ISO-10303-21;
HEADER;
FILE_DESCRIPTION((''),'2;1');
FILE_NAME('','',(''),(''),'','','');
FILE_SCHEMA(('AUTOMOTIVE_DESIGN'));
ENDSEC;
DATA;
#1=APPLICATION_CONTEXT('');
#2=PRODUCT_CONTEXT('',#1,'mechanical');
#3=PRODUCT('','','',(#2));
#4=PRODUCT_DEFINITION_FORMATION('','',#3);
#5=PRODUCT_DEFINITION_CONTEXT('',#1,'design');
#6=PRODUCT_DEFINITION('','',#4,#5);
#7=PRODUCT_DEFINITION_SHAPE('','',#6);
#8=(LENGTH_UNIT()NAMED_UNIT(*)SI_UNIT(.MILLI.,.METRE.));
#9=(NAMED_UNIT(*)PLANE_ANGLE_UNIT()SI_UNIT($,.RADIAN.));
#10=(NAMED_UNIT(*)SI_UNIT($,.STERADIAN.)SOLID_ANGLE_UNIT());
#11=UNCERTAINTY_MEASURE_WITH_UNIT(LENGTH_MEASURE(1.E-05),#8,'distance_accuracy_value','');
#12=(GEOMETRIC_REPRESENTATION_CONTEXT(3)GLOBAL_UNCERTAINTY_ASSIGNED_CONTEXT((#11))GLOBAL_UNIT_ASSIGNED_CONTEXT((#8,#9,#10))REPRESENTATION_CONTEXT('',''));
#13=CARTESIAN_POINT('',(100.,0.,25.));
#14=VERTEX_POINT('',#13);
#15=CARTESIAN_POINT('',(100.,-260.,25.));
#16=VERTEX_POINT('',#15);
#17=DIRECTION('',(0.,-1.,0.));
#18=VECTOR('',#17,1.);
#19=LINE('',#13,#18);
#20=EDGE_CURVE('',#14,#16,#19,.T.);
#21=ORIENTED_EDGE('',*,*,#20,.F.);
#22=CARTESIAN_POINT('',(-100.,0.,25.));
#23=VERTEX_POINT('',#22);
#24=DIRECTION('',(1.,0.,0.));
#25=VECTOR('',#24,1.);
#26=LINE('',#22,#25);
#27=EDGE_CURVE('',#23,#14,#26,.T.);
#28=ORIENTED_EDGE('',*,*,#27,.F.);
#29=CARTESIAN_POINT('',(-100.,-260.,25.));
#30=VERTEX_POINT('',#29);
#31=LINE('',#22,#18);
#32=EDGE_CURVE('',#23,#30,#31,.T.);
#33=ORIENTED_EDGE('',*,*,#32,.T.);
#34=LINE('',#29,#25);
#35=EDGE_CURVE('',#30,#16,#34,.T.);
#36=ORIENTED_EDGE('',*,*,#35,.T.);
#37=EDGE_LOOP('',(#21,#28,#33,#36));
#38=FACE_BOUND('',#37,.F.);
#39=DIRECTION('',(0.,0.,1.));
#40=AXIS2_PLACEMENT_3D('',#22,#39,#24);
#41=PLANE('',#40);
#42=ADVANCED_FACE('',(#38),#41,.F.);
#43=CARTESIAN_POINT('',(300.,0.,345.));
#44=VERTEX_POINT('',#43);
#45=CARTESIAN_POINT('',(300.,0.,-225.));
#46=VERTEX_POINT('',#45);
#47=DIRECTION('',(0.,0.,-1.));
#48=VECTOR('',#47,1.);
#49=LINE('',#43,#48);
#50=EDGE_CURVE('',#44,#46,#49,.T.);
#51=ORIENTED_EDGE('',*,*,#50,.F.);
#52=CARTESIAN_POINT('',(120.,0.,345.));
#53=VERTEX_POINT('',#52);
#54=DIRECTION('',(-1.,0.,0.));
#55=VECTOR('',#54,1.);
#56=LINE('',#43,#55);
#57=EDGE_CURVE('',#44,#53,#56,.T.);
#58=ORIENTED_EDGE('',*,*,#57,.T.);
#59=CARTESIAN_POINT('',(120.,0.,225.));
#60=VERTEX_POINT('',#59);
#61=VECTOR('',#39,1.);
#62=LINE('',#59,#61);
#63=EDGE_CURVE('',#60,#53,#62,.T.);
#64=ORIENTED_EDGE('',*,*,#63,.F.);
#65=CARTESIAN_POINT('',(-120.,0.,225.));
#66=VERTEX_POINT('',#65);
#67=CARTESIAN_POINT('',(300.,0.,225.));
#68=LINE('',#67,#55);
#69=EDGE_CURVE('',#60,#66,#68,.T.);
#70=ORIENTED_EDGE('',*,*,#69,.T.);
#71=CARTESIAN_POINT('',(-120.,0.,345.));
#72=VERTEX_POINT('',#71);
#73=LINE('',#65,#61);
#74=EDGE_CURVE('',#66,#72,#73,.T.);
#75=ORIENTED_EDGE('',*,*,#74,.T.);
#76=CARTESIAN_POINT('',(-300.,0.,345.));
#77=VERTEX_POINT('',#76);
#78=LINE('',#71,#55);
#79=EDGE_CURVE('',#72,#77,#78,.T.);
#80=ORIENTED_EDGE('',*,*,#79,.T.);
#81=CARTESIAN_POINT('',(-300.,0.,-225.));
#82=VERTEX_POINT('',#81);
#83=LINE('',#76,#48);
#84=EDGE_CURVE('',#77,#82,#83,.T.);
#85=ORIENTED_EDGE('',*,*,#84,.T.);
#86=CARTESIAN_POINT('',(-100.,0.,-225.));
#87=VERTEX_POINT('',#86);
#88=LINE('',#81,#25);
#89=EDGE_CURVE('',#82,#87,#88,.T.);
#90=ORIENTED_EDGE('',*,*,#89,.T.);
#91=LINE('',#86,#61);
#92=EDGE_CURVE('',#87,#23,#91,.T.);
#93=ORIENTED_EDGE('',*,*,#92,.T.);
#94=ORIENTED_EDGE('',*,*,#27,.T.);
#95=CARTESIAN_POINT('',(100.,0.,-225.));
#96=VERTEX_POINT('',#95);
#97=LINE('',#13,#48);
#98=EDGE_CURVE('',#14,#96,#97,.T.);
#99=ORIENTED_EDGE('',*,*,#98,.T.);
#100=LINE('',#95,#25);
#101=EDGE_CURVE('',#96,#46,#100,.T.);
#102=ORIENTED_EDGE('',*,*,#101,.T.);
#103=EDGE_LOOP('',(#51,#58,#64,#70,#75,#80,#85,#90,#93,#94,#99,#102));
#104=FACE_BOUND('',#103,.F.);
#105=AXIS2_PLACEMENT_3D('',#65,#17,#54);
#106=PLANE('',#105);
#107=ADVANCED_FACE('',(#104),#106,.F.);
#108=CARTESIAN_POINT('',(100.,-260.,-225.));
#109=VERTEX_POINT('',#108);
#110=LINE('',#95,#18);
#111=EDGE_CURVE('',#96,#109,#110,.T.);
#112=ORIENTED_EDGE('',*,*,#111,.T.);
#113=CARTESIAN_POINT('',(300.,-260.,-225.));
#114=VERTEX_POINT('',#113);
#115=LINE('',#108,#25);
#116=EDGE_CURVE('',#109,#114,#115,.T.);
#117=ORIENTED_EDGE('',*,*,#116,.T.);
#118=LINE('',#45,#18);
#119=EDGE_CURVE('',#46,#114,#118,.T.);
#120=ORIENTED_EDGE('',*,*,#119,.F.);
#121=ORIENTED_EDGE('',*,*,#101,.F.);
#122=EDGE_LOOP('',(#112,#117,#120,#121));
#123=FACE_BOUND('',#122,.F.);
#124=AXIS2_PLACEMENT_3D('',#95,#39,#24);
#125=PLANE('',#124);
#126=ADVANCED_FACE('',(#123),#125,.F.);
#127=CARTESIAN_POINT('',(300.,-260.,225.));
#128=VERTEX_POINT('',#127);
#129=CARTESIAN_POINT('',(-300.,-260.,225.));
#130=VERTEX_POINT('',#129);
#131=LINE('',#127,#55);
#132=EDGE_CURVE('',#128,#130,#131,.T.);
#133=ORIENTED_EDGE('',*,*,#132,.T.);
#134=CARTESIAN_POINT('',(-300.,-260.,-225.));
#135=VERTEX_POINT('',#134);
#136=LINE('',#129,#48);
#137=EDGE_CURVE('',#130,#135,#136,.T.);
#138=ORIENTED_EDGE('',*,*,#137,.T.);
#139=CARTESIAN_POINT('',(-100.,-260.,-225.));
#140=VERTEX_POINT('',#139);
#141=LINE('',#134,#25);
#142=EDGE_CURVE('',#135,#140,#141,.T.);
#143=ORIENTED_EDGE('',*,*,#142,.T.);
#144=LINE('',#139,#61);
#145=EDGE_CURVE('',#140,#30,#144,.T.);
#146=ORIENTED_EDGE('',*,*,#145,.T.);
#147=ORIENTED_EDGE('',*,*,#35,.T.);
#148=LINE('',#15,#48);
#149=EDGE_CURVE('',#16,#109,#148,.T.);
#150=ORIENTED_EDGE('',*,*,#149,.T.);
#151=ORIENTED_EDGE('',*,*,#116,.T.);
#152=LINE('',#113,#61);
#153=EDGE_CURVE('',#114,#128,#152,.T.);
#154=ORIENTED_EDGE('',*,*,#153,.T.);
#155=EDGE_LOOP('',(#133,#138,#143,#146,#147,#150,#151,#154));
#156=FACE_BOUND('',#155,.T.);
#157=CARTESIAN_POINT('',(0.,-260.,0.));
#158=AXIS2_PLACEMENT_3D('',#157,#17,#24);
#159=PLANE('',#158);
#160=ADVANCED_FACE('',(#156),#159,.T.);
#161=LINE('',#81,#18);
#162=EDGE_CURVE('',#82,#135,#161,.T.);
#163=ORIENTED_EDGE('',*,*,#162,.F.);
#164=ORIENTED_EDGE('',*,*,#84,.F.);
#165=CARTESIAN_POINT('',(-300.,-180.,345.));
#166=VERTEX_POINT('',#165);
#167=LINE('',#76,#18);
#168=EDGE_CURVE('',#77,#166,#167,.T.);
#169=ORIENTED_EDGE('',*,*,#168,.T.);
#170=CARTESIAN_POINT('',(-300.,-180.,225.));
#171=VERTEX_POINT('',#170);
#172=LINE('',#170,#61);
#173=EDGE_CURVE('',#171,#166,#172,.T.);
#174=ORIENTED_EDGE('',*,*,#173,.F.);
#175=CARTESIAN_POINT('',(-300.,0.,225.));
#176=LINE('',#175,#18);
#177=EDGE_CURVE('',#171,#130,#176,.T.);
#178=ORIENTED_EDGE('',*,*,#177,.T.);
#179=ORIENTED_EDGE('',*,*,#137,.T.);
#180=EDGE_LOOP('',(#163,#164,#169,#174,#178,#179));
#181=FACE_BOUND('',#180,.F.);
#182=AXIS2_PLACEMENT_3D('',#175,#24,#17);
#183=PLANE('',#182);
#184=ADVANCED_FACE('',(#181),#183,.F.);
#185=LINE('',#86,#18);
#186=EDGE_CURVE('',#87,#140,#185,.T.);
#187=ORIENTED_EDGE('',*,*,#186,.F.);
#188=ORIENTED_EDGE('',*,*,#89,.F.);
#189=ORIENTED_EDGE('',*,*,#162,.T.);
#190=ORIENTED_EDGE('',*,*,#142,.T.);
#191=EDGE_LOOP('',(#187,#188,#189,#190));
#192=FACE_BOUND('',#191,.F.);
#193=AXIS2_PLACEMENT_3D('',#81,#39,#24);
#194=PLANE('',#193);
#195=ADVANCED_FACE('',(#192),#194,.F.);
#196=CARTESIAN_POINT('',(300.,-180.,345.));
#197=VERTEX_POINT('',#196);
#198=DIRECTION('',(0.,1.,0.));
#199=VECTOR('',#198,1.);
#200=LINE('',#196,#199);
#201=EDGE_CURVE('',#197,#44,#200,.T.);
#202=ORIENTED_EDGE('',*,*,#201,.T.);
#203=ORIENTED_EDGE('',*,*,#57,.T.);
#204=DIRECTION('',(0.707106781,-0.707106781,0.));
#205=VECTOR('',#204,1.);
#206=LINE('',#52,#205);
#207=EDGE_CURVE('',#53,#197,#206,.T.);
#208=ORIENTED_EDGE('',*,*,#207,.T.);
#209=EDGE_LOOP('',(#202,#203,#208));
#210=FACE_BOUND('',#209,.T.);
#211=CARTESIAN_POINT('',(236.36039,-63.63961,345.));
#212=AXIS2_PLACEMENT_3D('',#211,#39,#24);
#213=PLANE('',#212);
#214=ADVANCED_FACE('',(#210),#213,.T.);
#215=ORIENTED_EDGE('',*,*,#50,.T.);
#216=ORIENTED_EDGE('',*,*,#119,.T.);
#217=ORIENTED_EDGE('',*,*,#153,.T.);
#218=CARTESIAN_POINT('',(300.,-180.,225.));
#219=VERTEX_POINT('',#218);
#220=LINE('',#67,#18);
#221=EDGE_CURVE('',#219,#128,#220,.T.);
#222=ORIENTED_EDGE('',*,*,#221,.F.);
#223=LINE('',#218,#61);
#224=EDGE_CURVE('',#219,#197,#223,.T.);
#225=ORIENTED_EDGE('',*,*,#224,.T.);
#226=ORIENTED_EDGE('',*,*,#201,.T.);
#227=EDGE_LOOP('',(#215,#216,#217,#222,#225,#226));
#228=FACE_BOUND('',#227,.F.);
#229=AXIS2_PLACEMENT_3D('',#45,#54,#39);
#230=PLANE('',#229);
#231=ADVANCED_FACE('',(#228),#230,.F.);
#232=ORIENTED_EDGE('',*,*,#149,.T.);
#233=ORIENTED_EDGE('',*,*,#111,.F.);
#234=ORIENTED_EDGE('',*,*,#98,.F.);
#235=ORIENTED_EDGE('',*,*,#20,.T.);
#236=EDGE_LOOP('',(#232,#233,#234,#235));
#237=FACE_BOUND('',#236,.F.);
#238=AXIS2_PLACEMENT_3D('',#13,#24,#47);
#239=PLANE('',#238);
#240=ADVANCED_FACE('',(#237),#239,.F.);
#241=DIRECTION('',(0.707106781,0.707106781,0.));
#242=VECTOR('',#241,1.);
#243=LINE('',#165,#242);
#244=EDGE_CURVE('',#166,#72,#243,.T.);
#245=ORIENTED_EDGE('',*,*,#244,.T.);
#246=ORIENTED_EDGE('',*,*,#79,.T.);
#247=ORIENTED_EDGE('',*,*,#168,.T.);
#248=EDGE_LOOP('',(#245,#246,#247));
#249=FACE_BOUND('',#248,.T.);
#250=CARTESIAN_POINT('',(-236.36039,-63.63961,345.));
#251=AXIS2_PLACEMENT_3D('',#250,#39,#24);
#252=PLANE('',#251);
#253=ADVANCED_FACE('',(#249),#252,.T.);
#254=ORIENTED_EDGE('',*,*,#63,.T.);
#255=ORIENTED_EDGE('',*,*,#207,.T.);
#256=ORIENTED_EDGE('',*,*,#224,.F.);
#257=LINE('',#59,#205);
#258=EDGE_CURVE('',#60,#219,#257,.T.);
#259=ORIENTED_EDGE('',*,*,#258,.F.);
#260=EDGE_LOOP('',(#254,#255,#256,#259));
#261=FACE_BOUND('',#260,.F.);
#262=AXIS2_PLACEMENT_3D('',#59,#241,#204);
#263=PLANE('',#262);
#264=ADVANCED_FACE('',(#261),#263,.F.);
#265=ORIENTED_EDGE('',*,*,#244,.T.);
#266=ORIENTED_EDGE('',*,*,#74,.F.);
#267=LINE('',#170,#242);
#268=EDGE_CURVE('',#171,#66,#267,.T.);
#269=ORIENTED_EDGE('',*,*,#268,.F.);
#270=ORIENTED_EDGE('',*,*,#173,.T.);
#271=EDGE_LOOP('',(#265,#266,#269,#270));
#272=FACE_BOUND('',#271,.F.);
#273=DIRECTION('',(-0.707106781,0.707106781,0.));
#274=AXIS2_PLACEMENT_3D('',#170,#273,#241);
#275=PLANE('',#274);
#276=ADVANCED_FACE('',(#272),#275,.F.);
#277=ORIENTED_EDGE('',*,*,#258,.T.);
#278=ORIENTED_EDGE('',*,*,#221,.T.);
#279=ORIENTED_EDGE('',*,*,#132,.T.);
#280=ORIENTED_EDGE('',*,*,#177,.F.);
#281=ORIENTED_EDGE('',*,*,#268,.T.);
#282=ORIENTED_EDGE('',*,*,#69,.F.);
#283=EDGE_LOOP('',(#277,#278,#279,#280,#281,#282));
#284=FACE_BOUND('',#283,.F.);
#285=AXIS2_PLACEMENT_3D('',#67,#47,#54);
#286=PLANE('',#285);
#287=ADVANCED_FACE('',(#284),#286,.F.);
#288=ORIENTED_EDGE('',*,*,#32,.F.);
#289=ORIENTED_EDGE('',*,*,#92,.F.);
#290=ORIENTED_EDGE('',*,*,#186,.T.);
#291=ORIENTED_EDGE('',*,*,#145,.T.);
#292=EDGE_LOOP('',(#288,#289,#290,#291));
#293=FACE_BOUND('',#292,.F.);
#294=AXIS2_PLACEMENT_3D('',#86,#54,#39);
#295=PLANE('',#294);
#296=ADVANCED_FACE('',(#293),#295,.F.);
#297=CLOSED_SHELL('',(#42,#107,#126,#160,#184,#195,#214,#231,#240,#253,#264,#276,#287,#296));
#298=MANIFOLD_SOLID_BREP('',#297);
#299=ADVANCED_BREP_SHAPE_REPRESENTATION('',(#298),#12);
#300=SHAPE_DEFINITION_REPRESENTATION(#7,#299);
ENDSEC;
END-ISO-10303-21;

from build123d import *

# Parameters (mm, degrees)
F1_DEPTH = 260
F3_DEPTH = 120


with BuildPart() as f1:
    # F0 (on Front) → F1 (new body)
    with BuildSketch(Plane.XZ):
        Polygon((300, 225), (-300, 225), (-300, -225), (-100, -225), (-100, 25), (100, 25), (100, -225), (300, -225), align=None)
    extrude(amount=F1_DEPTH)

    # F2 (on face) → F3 (join)
    with BuildSketch(Plane.XY.offset(225)):
        Polygon((-300, -180), (-120, 0), (-300, 0), align=None)
        Polygon((300, 0), (120, 0), (300, -180), align=None)
    extrude(amount=F3_DEPTH)


solid = f1.part
